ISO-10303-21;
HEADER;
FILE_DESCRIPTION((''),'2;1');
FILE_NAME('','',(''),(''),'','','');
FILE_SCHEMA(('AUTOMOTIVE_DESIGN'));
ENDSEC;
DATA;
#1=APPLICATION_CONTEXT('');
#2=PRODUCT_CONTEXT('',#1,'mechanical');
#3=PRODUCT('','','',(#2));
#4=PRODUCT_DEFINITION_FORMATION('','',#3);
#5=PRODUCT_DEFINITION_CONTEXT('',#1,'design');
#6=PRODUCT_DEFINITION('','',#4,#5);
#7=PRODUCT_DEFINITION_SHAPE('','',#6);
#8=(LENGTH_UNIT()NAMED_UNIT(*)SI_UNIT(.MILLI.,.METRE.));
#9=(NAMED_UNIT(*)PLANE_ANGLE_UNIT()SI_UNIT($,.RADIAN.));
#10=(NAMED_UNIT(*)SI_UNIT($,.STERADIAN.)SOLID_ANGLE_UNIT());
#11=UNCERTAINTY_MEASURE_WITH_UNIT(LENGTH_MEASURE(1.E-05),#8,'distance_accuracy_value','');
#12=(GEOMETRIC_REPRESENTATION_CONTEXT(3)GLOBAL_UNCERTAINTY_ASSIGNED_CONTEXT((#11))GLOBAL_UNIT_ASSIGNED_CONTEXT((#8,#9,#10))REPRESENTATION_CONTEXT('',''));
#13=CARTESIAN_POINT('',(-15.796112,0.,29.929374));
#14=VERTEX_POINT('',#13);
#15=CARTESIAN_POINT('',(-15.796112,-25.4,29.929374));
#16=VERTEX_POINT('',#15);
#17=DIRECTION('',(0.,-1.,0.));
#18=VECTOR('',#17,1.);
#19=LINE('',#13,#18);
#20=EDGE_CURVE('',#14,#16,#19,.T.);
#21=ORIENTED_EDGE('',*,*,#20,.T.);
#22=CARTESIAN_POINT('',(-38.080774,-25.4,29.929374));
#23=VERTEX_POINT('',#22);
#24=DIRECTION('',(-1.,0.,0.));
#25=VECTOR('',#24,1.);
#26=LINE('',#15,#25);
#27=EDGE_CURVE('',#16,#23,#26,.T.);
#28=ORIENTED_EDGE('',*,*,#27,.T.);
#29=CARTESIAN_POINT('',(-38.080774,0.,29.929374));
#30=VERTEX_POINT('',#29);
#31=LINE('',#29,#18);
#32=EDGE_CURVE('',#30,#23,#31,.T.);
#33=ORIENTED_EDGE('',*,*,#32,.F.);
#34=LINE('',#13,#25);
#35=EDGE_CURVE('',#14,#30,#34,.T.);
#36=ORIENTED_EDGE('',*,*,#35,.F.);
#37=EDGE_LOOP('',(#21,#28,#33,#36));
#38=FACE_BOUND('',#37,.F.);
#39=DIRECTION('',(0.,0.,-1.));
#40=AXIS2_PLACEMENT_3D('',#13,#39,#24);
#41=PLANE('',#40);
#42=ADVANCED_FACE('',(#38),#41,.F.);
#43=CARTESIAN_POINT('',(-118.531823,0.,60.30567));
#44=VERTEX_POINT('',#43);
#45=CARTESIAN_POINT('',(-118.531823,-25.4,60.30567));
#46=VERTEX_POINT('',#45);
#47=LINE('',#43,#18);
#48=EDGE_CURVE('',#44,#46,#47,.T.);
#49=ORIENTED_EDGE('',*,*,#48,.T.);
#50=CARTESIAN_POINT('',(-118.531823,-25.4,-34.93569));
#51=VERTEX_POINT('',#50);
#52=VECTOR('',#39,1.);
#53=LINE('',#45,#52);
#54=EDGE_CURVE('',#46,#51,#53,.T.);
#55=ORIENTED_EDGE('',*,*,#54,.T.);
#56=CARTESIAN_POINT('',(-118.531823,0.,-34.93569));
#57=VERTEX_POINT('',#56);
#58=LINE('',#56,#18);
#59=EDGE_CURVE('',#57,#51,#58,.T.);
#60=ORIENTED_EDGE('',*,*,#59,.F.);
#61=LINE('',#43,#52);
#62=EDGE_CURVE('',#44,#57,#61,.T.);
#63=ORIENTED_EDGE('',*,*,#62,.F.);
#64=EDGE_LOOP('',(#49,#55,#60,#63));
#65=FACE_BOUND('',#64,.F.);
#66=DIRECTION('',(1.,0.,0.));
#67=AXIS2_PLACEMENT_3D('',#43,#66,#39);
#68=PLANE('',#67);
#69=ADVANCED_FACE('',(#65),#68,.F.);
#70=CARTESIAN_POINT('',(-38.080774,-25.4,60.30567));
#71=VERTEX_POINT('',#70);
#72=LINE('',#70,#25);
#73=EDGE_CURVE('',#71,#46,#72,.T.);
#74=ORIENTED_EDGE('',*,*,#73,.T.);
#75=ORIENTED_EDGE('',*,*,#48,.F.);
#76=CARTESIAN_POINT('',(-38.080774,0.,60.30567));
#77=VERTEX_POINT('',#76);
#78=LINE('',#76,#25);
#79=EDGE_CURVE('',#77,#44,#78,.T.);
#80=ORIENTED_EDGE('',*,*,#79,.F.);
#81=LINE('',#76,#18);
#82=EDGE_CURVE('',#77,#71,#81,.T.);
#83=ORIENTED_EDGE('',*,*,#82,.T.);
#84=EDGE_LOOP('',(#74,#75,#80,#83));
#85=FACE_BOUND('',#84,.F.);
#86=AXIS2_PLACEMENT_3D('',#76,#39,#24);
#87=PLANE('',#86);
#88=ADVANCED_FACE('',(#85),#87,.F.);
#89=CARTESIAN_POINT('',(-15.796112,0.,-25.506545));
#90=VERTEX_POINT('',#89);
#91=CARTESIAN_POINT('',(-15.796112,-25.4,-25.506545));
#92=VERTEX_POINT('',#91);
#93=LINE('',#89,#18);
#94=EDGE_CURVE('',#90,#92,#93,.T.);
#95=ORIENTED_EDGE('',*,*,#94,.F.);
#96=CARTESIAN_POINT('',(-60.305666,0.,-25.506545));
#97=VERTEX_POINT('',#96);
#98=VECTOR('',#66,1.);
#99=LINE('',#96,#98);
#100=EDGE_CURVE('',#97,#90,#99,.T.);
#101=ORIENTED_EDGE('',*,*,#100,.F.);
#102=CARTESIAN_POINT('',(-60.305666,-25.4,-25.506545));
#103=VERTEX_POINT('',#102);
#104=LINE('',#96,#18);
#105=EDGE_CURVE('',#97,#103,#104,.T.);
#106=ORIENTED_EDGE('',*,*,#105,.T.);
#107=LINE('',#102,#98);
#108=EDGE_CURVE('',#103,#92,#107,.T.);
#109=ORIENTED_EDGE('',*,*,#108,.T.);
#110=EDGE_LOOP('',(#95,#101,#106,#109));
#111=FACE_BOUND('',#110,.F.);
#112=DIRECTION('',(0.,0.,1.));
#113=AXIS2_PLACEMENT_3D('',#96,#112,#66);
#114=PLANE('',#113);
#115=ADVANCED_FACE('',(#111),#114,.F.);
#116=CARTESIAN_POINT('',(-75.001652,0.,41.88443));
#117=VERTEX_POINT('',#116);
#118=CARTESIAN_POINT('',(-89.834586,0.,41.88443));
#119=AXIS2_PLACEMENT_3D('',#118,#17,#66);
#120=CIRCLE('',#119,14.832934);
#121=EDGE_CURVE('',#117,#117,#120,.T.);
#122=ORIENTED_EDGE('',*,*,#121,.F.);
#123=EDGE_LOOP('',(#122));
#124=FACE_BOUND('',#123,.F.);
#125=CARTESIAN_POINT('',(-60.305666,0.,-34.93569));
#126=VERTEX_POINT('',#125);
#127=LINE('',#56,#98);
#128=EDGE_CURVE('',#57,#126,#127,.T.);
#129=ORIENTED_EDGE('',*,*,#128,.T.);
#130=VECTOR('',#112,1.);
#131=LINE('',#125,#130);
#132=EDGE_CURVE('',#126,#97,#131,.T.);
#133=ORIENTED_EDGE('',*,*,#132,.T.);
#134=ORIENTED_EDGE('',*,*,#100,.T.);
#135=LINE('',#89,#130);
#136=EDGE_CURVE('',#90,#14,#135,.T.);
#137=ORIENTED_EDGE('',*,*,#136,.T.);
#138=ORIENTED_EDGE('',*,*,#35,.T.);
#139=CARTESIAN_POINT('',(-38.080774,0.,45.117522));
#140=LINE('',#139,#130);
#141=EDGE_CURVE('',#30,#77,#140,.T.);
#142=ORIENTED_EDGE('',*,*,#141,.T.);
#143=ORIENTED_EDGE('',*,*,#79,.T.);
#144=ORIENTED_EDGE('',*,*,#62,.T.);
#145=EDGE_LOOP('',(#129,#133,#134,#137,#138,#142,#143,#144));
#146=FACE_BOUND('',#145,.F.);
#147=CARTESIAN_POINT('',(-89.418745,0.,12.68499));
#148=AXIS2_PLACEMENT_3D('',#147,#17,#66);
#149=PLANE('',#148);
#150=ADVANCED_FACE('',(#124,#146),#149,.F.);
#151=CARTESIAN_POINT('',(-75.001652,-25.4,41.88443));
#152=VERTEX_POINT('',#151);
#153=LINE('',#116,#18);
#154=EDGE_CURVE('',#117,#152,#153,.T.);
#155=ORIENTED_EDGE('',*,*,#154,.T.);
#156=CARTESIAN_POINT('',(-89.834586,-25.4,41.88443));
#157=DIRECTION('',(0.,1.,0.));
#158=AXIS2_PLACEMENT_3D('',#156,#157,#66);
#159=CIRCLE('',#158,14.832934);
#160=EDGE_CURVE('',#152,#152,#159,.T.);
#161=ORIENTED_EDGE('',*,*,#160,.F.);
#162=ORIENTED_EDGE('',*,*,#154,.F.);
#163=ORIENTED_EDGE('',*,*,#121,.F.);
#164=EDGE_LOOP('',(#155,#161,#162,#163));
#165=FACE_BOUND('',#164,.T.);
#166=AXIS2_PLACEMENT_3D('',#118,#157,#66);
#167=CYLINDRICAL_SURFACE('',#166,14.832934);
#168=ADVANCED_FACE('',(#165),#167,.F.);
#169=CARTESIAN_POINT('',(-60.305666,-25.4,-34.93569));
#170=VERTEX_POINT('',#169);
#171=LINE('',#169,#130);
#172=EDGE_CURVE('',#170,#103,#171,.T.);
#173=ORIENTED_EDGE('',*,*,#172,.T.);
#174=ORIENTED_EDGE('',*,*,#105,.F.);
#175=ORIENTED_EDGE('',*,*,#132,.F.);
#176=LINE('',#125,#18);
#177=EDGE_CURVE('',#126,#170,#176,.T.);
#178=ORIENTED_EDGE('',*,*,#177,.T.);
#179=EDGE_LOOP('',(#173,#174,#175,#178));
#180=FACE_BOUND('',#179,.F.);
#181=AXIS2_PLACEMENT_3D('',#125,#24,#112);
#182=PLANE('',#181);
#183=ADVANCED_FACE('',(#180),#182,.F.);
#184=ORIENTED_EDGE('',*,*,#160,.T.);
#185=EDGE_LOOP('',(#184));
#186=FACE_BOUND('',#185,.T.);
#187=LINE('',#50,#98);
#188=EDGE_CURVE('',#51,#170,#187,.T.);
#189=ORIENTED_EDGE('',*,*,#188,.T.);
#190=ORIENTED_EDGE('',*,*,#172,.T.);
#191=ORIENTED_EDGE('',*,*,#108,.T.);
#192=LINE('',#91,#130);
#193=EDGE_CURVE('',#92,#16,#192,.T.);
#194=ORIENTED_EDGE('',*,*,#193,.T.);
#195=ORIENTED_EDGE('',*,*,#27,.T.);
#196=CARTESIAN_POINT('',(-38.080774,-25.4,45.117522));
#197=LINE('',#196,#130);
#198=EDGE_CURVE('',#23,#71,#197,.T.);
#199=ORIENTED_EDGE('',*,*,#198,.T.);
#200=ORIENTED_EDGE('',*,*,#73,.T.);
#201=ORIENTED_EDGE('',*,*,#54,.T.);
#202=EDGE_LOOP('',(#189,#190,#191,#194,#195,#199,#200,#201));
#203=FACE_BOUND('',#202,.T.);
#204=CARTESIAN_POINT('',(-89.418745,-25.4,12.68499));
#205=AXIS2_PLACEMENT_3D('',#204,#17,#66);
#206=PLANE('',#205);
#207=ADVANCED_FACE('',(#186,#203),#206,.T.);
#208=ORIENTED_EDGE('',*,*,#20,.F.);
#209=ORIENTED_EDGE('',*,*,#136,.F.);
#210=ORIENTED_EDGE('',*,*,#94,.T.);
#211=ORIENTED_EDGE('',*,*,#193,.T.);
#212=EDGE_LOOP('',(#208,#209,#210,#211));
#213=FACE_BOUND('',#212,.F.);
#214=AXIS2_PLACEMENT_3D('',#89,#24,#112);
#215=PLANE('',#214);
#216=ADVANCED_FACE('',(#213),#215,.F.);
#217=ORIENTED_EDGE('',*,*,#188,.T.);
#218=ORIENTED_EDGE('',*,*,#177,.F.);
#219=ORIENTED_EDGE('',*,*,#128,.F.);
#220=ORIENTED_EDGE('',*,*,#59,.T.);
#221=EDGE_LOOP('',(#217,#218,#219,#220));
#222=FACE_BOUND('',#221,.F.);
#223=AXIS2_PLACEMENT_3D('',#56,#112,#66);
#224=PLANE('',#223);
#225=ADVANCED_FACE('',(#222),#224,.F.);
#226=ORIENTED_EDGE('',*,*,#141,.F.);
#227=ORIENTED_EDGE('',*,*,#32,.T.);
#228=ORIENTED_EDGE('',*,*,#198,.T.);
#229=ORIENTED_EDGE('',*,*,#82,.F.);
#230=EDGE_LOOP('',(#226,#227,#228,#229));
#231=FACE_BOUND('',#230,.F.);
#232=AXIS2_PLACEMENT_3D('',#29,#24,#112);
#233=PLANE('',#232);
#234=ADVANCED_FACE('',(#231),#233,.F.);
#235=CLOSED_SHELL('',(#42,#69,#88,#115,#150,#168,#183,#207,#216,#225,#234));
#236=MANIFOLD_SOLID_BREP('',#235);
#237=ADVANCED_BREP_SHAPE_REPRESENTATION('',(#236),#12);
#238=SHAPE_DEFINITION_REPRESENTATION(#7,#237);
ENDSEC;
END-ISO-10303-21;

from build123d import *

# Parameters (mm, degrees)
F0_W     = 22.224892
F0_H     = 30.376296
F1_DEPTH = 25.4
F2_R     = 14.832934
F3_DEPTH = 25.401


with BuildPart() as f1:
    # F0 (on Front) → F1 (new body)
    with BuildSketch(Plane.XZ):
        Polygon((-60.305666, 60.30567), (-118.531823, 60.30567), (-118.531823, -34.93569), (-60.305666, -34.93569), (-60.305666, -25.506545), (-60.305666, 29.929374), align=None)
        Polygon((-38.080774, 29.929374), (-60.305666, 29.929374), (-60.305666, -25.506545), (-15.796112, -25.506545), (-15.796112, 29.929374), align=None)
        with Locations((-49.19322, 45.117522)):
            Rectangle(F0_W, F0_H)
    extrude(amount=F1_DEPTH)

    # F2 (on Front) → F3 (cut, through all)
    with BuildSketch(Plane.XZ):
        with Locations((-89.834586, 41.88443)):
            Circle(F2_R)
    extrude(amount=F3_DEPTH, mode=Mode.SUBTRACT)


solid = f1.part
